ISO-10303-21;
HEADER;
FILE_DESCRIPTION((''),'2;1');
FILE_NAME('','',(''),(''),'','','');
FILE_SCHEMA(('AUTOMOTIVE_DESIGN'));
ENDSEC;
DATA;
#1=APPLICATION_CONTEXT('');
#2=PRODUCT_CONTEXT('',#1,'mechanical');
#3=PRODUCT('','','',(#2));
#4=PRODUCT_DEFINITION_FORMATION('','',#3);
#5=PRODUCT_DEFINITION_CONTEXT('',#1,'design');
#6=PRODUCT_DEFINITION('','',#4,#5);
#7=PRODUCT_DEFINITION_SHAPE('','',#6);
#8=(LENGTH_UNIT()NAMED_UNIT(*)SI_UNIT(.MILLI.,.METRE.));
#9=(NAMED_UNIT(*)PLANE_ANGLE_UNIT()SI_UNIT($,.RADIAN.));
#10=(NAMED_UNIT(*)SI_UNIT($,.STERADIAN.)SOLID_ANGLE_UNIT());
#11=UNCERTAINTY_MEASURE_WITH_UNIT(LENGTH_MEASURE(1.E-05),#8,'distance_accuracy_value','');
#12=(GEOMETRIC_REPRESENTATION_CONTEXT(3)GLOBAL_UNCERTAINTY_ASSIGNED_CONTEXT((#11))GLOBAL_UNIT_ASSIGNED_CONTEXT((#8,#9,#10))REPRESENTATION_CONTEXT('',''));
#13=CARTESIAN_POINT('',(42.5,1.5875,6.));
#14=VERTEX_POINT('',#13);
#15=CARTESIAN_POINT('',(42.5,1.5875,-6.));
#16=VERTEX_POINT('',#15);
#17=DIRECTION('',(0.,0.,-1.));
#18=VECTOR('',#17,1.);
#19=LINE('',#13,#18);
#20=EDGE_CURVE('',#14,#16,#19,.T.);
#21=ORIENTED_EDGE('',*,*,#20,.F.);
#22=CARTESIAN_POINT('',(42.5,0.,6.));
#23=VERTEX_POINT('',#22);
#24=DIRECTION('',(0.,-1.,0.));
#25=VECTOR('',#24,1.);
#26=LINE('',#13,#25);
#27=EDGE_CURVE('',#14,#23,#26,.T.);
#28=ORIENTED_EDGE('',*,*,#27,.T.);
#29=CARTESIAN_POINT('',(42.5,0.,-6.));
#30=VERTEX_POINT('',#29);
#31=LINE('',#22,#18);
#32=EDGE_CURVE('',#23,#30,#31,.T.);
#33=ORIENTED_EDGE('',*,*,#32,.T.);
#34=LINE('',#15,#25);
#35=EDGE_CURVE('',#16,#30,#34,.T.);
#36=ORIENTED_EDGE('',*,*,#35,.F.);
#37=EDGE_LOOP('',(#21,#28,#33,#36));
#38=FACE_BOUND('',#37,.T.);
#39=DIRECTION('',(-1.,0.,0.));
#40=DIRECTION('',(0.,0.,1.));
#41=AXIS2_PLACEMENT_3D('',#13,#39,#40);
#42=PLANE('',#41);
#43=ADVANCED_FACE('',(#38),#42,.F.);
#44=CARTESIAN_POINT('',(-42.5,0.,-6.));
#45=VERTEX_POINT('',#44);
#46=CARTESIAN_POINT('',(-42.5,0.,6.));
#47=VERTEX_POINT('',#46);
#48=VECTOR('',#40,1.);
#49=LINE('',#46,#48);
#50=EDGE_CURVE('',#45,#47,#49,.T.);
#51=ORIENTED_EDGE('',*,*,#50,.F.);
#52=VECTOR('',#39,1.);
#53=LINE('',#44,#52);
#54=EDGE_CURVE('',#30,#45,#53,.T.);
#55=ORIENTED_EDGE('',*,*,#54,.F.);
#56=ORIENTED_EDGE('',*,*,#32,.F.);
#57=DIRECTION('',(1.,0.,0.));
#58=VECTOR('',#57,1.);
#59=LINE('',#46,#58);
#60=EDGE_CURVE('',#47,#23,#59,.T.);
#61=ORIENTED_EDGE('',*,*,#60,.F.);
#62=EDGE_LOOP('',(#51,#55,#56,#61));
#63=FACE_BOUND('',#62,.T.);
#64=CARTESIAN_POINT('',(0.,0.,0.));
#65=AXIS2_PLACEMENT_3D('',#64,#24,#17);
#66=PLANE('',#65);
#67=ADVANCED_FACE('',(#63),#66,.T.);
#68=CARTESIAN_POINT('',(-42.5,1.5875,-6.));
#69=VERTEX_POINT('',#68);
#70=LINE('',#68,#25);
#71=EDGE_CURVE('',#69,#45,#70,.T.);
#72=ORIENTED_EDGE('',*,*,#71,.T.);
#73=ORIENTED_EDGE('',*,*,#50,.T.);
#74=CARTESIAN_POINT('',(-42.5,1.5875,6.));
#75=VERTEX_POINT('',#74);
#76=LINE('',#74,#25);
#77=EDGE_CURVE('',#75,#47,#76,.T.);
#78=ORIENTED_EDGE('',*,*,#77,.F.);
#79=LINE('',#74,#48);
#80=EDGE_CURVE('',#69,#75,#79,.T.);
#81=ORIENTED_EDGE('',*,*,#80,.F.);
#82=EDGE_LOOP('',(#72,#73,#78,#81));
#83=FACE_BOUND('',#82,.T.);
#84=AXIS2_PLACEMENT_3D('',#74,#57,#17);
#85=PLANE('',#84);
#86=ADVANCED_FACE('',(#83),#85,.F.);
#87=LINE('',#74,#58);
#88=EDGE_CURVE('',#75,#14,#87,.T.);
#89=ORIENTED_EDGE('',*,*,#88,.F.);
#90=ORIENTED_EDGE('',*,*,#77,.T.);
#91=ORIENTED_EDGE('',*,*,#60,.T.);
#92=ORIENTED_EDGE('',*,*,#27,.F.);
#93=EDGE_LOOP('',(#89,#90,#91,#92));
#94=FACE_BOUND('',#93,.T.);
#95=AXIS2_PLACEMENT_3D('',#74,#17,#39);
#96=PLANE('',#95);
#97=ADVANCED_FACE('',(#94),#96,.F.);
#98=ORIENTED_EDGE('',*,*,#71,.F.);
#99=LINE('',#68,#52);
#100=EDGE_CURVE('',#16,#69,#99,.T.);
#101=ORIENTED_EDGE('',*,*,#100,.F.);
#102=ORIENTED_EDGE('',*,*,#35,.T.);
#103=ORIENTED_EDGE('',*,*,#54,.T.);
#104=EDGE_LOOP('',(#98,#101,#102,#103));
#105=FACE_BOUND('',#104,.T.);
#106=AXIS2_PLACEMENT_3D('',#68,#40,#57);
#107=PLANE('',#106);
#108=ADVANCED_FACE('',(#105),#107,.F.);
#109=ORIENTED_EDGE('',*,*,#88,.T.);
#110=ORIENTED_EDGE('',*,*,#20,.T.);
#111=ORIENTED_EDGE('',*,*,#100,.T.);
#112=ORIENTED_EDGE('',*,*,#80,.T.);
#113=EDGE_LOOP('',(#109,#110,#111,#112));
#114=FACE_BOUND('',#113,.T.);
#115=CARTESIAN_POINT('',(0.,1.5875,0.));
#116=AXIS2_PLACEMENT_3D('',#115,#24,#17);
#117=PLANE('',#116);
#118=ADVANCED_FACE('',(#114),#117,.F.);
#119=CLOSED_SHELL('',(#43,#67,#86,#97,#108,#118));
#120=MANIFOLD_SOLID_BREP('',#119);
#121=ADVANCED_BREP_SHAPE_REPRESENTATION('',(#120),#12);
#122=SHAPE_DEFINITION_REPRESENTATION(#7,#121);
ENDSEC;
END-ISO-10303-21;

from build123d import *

# Parameters (mm, degrees)
SKETCH1_W           = 85
SKETCH1_H           = 12
BOSS_EXTRUDE1_DEPTH = 1.5875


with BuildPart() as part:
    # Sketch1 → Boss-Extrude1 (new body)
    with BuildSketch(Plane(origin=(0, 0, 0), x_dir=(1, 0, 0), z_dir=(0, 1, 0))):
        Rectangle(SKETCH1_W, SKETCH1_H)
    extrude(amount=BOSS_EXTRUDE1_DEPTH)


solid = part.part
